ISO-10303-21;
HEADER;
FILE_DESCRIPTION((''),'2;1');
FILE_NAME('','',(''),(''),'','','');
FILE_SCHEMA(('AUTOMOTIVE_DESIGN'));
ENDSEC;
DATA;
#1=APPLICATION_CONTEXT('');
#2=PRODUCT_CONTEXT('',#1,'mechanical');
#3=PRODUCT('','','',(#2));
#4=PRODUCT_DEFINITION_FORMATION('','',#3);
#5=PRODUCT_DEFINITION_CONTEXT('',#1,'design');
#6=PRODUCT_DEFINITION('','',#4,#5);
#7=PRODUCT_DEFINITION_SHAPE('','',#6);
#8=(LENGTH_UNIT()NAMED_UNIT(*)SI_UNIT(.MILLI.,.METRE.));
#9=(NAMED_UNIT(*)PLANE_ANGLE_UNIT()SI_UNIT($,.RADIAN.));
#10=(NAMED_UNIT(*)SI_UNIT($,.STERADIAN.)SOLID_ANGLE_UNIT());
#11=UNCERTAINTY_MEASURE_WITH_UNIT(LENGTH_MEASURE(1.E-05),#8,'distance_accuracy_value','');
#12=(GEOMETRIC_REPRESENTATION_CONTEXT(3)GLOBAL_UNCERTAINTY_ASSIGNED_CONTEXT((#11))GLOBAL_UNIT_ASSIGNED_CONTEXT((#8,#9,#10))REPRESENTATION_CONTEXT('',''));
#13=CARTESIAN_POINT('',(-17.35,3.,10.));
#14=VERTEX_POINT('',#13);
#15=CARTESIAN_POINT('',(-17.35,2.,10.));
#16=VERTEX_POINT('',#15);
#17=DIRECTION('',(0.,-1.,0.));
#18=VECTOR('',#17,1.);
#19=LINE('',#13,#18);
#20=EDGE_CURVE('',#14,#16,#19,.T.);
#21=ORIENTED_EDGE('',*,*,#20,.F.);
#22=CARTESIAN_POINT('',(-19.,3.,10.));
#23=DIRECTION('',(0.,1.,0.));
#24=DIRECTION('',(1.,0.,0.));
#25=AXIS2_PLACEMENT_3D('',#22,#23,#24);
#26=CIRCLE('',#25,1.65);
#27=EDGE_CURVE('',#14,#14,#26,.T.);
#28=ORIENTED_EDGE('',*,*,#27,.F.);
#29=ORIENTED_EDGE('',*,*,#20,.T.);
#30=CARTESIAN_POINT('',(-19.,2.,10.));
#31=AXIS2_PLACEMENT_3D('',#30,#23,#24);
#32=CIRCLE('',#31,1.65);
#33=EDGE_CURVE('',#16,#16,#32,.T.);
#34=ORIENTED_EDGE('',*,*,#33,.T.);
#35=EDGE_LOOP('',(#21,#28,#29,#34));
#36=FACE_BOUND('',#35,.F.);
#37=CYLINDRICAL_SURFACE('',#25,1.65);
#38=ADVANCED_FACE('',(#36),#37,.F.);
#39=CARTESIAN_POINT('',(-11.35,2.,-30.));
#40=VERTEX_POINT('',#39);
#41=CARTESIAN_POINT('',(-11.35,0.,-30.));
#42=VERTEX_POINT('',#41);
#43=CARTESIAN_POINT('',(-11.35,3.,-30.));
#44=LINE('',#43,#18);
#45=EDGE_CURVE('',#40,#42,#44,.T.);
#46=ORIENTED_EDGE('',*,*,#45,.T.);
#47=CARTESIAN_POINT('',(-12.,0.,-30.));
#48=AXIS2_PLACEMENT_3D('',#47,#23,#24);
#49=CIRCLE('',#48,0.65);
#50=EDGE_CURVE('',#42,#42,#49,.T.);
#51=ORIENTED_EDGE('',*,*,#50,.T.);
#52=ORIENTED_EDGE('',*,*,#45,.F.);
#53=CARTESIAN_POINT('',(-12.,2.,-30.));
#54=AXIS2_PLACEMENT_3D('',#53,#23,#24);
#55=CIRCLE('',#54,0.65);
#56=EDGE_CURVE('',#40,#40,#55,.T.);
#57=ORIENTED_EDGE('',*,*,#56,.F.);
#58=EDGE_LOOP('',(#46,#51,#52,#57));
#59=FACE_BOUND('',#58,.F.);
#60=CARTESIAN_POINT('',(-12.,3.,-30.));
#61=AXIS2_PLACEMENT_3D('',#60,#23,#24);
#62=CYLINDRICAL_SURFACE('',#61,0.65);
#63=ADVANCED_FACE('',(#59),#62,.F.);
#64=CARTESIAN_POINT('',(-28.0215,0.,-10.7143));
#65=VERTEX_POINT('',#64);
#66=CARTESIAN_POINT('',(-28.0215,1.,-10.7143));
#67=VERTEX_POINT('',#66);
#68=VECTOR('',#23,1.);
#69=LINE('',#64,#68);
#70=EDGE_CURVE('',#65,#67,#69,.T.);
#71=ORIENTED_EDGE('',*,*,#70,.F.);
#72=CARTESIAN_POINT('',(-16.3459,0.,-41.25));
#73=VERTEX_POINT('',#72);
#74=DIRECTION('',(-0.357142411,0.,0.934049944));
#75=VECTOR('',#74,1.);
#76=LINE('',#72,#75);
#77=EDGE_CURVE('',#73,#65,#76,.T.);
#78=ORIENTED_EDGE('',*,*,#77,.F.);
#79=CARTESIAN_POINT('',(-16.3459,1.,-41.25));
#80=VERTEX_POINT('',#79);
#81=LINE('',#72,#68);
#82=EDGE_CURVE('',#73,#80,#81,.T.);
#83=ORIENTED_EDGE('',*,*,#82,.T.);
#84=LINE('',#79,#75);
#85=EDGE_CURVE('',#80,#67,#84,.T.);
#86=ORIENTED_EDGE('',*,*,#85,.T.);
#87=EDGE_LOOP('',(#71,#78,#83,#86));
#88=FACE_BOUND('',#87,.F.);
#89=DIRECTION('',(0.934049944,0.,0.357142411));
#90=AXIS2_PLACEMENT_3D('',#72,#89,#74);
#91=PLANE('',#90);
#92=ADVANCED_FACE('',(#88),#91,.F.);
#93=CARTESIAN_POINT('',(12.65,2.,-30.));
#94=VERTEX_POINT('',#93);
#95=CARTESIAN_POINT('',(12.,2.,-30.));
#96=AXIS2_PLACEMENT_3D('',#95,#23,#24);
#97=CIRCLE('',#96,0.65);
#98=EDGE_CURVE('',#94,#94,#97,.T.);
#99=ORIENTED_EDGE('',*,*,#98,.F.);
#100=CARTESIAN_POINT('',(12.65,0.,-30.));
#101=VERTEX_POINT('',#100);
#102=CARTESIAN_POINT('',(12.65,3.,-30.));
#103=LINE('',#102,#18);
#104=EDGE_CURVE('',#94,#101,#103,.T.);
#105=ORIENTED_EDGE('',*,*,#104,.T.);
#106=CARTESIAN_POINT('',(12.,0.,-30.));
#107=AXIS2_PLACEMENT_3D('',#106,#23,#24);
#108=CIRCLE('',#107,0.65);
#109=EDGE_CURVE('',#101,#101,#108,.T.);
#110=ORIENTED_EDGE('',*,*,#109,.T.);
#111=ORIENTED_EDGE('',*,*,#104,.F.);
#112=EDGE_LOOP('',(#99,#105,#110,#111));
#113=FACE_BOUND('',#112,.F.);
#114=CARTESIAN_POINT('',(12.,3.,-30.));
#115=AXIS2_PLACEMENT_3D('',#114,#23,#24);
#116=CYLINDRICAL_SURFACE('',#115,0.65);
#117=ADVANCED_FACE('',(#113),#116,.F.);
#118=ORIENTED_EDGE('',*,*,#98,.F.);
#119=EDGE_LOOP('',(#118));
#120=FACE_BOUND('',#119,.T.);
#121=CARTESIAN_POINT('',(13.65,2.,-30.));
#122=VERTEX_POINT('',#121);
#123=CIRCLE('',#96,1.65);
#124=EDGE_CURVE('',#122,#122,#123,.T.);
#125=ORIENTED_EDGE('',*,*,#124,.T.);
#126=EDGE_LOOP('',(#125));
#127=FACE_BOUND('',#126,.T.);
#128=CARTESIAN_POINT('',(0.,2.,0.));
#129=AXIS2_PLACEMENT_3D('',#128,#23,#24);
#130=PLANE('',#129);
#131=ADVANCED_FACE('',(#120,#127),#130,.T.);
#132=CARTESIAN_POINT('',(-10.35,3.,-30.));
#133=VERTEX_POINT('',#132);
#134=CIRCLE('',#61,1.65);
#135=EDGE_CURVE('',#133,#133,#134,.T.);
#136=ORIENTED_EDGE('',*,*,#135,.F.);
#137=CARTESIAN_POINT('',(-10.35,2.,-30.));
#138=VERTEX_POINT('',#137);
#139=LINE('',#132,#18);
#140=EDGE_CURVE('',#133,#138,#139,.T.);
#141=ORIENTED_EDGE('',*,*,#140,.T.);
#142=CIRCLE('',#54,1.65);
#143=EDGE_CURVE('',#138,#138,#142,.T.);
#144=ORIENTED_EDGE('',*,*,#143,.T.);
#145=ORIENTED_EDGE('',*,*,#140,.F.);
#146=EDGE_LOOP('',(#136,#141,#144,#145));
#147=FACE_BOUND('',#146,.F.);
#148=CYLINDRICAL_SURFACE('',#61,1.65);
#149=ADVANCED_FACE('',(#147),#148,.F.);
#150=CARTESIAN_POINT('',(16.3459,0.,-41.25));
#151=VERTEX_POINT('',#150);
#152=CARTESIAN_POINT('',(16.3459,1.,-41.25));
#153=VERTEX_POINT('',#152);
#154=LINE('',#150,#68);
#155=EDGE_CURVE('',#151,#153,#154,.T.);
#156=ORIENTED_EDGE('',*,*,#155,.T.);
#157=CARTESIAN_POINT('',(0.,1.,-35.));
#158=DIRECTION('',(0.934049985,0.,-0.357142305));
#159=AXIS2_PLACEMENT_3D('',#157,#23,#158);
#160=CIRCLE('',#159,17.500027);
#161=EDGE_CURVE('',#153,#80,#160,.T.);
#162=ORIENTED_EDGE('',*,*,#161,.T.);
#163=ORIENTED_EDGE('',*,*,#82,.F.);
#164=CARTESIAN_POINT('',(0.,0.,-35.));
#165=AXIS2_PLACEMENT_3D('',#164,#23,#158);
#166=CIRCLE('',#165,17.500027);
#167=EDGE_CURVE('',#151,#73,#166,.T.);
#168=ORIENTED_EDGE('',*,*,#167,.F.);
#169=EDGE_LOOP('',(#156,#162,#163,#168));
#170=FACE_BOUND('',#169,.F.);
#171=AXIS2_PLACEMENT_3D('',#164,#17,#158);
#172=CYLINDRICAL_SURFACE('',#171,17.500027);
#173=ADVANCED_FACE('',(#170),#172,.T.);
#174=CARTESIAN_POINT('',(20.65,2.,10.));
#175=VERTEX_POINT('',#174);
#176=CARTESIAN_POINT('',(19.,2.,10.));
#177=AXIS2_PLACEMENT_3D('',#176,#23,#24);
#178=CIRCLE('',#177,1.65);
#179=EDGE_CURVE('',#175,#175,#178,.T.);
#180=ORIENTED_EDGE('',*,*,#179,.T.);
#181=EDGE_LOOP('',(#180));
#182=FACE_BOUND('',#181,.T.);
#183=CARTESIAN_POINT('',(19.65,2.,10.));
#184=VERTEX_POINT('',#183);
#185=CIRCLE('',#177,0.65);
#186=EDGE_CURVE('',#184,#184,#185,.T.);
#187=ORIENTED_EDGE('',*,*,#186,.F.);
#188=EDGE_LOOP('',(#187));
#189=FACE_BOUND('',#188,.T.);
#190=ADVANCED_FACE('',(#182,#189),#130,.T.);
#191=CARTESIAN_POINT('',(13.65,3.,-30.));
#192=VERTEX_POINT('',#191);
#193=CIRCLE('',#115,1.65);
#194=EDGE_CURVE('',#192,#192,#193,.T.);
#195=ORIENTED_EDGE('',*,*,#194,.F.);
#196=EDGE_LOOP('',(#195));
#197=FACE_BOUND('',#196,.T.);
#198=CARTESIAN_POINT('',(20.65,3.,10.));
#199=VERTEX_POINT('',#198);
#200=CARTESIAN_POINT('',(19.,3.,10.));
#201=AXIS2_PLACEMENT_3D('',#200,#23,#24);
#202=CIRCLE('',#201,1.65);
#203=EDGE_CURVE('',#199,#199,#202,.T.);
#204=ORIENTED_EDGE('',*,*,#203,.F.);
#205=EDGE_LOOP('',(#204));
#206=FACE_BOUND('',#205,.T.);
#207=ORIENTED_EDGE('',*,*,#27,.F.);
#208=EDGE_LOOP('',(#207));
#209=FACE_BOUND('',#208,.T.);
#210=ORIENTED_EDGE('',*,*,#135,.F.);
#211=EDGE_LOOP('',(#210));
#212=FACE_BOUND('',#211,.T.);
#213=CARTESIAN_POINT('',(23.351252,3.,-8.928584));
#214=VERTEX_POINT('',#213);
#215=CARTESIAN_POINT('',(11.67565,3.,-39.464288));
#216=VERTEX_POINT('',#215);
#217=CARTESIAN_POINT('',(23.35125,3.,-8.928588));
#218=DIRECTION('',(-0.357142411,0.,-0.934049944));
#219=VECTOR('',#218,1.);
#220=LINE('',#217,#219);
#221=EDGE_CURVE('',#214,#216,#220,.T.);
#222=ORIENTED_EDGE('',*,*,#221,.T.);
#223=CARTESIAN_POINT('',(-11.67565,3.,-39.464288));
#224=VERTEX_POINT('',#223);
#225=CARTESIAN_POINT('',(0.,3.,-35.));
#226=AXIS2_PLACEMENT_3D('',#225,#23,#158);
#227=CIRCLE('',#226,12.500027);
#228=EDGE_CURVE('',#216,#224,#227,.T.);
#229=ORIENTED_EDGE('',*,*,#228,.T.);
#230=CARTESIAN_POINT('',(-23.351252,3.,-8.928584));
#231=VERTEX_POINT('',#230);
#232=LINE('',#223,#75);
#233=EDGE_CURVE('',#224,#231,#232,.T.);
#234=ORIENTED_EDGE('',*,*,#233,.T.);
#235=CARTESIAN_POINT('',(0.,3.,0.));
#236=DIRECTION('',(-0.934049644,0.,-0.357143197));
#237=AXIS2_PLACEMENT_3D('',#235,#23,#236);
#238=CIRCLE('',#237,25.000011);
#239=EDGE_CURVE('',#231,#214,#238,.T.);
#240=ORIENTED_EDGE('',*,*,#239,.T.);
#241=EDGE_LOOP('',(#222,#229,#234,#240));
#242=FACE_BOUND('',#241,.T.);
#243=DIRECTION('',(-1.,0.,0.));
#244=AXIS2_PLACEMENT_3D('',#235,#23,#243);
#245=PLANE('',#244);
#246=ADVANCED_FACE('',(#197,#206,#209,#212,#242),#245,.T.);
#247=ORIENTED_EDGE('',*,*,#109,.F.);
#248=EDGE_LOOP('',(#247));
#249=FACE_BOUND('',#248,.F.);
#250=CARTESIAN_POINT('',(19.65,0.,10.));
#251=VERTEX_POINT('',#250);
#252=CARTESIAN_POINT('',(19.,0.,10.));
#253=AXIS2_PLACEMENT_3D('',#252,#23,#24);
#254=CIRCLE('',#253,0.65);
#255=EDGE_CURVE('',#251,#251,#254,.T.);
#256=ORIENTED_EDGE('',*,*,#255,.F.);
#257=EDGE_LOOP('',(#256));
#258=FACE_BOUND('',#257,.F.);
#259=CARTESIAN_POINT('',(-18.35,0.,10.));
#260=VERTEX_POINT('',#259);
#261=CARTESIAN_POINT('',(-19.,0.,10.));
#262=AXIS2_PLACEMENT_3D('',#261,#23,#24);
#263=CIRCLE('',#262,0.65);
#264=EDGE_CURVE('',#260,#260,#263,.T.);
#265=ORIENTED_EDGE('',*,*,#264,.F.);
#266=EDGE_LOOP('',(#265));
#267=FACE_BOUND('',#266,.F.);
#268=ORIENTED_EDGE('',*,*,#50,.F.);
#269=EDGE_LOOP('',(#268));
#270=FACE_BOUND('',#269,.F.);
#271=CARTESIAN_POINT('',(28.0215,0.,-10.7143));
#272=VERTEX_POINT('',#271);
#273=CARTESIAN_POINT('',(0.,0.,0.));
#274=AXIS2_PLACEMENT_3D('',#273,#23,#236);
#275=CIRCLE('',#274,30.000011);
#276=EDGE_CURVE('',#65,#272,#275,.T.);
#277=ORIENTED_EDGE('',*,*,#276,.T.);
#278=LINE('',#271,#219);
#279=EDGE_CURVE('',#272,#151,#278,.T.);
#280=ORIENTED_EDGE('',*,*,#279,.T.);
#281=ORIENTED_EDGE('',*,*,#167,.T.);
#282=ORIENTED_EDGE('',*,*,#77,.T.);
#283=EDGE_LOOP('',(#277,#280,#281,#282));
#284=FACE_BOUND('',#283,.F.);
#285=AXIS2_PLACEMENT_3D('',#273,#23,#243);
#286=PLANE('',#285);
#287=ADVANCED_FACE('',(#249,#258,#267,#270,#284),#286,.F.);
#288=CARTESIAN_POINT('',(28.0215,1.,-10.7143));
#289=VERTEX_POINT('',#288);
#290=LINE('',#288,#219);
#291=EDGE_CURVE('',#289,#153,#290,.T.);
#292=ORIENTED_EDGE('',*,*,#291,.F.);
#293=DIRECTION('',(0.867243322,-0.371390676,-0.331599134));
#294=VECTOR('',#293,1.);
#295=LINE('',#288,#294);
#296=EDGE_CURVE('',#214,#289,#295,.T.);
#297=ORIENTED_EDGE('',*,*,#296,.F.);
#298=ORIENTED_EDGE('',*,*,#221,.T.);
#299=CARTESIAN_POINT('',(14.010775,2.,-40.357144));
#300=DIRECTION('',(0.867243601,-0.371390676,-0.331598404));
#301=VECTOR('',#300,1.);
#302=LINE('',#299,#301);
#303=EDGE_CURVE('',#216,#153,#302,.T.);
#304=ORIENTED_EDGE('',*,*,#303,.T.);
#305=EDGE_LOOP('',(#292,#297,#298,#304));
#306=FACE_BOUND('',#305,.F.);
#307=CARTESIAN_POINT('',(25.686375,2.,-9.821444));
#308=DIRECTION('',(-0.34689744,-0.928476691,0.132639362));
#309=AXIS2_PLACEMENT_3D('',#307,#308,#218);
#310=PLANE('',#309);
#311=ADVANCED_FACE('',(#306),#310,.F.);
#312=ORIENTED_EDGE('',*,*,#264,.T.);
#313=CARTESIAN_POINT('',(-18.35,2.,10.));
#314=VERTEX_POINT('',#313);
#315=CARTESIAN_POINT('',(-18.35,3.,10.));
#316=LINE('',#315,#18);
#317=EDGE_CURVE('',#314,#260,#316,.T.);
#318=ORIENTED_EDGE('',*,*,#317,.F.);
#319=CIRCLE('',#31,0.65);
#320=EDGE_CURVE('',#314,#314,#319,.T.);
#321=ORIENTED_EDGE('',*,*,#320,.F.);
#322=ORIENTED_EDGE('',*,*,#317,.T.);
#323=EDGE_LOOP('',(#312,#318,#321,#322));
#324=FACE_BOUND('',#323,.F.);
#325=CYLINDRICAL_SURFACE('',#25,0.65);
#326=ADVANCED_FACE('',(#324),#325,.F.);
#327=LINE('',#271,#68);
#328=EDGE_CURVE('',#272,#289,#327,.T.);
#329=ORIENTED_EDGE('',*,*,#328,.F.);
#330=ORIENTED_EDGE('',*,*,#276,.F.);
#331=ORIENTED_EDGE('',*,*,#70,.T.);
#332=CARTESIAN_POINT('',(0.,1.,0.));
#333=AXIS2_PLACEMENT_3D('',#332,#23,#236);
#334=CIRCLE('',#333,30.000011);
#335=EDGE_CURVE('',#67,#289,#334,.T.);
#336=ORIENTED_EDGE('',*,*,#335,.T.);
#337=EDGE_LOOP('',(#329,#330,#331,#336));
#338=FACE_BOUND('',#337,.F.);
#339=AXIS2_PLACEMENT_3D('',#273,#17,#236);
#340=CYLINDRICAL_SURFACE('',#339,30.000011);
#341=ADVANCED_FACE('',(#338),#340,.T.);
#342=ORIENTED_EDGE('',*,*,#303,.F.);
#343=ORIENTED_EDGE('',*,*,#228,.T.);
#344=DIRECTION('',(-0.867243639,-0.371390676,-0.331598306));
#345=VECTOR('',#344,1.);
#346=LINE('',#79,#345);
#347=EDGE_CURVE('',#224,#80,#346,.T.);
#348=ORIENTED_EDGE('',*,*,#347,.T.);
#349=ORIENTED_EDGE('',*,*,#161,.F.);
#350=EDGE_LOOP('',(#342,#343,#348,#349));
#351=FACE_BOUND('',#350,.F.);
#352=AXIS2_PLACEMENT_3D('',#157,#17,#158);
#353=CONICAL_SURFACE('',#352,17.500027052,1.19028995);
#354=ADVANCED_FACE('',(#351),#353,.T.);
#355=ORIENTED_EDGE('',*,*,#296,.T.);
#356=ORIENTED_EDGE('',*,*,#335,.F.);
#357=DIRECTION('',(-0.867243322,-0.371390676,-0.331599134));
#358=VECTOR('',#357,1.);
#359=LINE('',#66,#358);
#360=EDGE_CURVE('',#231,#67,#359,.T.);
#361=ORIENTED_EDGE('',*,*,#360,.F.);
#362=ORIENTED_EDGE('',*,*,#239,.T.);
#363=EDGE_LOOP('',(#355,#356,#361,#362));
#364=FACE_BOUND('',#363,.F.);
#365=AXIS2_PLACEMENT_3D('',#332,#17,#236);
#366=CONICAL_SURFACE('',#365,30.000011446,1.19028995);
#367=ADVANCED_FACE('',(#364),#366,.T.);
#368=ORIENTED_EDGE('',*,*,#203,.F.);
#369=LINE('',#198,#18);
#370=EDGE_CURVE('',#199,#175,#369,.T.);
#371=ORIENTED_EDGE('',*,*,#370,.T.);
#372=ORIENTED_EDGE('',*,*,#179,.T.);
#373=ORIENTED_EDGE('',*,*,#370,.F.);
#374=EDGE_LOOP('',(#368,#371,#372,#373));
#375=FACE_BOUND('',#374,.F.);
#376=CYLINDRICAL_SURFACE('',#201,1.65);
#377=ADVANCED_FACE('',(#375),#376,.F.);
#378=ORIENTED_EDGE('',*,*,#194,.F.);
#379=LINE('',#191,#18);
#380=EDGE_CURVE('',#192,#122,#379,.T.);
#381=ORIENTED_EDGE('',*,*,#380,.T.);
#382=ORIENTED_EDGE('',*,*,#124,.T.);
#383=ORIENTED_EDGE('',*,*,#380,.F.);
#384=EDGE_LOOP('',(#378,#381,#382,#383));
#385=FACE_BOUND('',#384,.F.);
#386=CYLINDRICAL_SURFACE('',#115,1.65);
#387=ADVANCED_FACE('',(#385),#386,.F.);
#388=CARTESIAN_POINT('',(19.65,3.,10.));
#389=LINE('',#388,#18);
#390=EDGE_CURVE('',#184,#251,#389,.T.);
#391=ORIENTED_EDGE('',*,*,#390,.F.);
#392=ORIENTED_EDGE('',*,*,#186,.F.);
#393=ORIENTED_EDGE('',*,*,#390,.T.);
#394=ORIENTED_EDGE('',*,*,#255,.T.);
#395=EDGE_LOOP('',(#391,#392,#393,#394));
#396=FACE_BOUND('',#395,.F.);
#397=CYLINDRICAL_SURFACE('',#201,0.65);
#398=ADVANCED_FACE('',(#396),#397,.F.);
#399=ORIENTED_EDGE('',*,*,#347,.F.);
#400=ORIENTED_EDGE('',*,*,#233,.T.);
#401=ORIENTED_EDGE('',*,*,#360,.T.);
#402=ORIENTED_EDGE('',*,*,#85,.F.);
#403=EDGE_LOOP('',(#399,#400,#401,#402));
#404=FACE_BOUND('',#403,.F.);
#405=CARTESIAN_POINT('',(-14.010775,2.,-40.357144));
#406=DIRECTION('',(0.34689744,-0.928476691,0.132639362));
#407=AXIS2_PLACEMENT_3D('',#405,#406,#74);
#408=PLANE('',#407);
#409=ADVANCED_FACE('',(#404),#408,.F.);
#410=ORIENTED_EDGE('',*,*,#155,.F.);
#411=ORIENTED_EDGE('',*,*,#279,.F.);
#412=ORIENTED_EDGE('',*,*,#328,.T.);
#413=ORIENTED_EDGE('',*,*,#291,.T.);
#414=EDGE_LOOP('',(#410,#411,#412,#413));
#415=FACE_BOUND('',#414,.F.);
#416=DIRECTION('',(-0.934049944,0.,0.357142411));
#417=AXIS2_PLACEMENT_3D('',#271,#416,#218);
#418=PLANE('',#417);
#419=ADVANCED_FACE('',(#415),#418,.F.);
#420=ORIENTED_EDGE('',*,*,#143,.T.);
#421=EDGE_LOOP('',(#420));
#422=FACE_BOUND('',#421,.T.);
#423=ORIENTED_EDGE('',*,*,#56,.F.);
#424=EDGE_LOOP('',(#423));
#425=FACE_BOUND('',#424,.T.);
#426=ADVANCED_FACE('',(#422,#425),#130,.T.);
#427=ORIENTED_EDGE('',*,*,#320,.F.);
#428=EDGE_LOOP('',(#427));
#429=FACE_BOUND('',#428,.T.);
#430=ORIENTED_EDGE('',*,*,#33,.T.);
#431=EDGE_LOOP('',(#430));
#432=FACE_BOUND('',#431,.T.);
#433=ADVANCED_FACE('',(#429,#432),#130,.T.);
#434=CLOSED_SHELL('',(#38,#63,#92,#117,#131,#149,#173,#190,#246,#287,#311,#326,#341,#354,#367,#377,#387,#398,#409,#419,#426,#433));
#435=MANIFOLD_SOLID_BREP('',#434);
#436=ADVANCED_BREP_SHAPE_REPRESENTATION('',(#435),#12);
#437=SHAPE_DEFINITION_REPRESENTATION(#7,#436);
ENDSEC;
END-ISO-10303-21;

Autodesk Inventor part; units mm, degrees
ref_plane "YZ Plane" through (0, 0, 0) normal (1, 0, 0) x (0, 1, 0)
ref_plane "XZ Plane" through (0, 0, 0) normal (0, 1, 0) x (-1, 0, 0)
ref_plane "XY Plane" through (0, 0, 0) normal (0, 0, 1) x (1, 0, 0)
sketch "Sketch1" plane through (0, 0, 0) normal (0, 1, 0) x (-1, 0, 0)
  arc A0 (28.0215, -10.7143) -> (-28.0215, -10.7143) centre (0, 0) ccw
  arc A1 (14.9976, -25.9821) -> (-16.3459, -41.25) centre (0, -35) ccw construction
  line L0 (0, 0) -> (0, -35) construction
  line L1 (-28.0215, -10.7143) -> (-16.3459, -41.25)
  line L2 (16.3459, -41.25) -> (28.0215, -10.7143)
  arc A2 (14.9976, -25.9821) -> (28.0215, -10.7143) centre (0, 0) ccw construction
  arc A3 (16.3459, -41.25) -> (14.9976, -25.9821) centre (0, -35) ccw construction
  arc A4 (-16.3459, -41.25) -> (16.3459, -41.25) centre (0, -35) ccw
  arc A5 (-28.0215, -10.7143) -> (14.9976, -25.9821) centre (0, 0) ccw construction
  dimension "d0" = 60
  dimension "d1" = 35
  dimension "d2" = 35
extrude "Extrusion1" add sketch "Sketch1" along normal blind 3
chamfer "Chamfer1" distance 5 distance2 2 4 edges at (0, 3, 30) (22.1837, 3, -25.9821) (0, 3, -52.5) (-22.1837, 3, -25.9821) measured on face at (1.8074, 3, 7.3223)
sketch "Sketch2" plane through (0, 3, 0) normal (0, 1, 0) x (1, 0, 0)
  line L0 (-19, -10) -> (19, -10) construction
  line L1 (19, -10) -> (12, 30) construction
  line L2 (12, 30) -> (-12, 30) construction
  line L3 (-12, 30) -> (-19, -10) construction
  circle A0 centre (-19, -10) radius 0.65
  circle A1 centre (19, -10) radius 0.65
  circle A2 centre (-12, 30) radius 0.65
  circle A3 centre (12, 30) radius 0.65
  point P0 (0, 0)
  dimension "d8" = 10
  dimension "d9" = 30
  dimension "d10" = 19
  dimension "d11" = 19
  dimension "d12" = 12
  dimension "d13" = 12
  dimension "d14" = 1.3
  dimension "d15" = 1.3
  dimension "d16" = 1.3
  dimension "d17" = 1.3
extrude "Extrusion2" cut sketch "Sketch2" against normal through all
sketch "Sketch3" plane through (0, 3, 0) normal (0, 1, 0) x (1, 0, 0)
  circle A0 centre (19, -10) radius 0.65 projected
  circle A1 centre (-19, -10) radius 0.65 projected
  arc A2 (-23.3512, 8.9286) -> (23.3512, 8.9286) centre (0, 0) ccw projected
  line L0 (11.6756, 39.4643) -> (23.3512, 8.9286) projected
  arc A3 (11.6756, 39.4643) -> (-11.6756, 39.4643) centre (0, 35) ccw projected
  line L1 (-23.3512, 8.9286) -> (-11.6756, 39.4643) projected
  circle A4 centre (-19, -10) radius 1.65
  circle A5 centre (19, -10) radius 1.65
  circle A6 centre (12, 30) radius 1.65
  circle A7 centre (-12, 30) radius 1.65
  circle A8 centre (-12, 30) radius 0.65 projected
  circle A9 centre (12, 30) radius 0.65 projected
  dimension "d20" = 3.3
  dimension "d21" = 3.3
  dimension "d22" = 3.3
  dimension "d23" = 3.3
extrude "Extrusion3" cut sketch "Sketch3" against normal blind 1 contours A0 | A1 | A4 | A5 | A6 | A7 | A8 | A9
equation "\"d11\" = d10"
equation "\"d13\" = d12"
equation "\"d21\" = d20"
equation "\"d22\" = d20"
equation "\"d23\" = d20"
properties part number "Arm_1_Cover"
